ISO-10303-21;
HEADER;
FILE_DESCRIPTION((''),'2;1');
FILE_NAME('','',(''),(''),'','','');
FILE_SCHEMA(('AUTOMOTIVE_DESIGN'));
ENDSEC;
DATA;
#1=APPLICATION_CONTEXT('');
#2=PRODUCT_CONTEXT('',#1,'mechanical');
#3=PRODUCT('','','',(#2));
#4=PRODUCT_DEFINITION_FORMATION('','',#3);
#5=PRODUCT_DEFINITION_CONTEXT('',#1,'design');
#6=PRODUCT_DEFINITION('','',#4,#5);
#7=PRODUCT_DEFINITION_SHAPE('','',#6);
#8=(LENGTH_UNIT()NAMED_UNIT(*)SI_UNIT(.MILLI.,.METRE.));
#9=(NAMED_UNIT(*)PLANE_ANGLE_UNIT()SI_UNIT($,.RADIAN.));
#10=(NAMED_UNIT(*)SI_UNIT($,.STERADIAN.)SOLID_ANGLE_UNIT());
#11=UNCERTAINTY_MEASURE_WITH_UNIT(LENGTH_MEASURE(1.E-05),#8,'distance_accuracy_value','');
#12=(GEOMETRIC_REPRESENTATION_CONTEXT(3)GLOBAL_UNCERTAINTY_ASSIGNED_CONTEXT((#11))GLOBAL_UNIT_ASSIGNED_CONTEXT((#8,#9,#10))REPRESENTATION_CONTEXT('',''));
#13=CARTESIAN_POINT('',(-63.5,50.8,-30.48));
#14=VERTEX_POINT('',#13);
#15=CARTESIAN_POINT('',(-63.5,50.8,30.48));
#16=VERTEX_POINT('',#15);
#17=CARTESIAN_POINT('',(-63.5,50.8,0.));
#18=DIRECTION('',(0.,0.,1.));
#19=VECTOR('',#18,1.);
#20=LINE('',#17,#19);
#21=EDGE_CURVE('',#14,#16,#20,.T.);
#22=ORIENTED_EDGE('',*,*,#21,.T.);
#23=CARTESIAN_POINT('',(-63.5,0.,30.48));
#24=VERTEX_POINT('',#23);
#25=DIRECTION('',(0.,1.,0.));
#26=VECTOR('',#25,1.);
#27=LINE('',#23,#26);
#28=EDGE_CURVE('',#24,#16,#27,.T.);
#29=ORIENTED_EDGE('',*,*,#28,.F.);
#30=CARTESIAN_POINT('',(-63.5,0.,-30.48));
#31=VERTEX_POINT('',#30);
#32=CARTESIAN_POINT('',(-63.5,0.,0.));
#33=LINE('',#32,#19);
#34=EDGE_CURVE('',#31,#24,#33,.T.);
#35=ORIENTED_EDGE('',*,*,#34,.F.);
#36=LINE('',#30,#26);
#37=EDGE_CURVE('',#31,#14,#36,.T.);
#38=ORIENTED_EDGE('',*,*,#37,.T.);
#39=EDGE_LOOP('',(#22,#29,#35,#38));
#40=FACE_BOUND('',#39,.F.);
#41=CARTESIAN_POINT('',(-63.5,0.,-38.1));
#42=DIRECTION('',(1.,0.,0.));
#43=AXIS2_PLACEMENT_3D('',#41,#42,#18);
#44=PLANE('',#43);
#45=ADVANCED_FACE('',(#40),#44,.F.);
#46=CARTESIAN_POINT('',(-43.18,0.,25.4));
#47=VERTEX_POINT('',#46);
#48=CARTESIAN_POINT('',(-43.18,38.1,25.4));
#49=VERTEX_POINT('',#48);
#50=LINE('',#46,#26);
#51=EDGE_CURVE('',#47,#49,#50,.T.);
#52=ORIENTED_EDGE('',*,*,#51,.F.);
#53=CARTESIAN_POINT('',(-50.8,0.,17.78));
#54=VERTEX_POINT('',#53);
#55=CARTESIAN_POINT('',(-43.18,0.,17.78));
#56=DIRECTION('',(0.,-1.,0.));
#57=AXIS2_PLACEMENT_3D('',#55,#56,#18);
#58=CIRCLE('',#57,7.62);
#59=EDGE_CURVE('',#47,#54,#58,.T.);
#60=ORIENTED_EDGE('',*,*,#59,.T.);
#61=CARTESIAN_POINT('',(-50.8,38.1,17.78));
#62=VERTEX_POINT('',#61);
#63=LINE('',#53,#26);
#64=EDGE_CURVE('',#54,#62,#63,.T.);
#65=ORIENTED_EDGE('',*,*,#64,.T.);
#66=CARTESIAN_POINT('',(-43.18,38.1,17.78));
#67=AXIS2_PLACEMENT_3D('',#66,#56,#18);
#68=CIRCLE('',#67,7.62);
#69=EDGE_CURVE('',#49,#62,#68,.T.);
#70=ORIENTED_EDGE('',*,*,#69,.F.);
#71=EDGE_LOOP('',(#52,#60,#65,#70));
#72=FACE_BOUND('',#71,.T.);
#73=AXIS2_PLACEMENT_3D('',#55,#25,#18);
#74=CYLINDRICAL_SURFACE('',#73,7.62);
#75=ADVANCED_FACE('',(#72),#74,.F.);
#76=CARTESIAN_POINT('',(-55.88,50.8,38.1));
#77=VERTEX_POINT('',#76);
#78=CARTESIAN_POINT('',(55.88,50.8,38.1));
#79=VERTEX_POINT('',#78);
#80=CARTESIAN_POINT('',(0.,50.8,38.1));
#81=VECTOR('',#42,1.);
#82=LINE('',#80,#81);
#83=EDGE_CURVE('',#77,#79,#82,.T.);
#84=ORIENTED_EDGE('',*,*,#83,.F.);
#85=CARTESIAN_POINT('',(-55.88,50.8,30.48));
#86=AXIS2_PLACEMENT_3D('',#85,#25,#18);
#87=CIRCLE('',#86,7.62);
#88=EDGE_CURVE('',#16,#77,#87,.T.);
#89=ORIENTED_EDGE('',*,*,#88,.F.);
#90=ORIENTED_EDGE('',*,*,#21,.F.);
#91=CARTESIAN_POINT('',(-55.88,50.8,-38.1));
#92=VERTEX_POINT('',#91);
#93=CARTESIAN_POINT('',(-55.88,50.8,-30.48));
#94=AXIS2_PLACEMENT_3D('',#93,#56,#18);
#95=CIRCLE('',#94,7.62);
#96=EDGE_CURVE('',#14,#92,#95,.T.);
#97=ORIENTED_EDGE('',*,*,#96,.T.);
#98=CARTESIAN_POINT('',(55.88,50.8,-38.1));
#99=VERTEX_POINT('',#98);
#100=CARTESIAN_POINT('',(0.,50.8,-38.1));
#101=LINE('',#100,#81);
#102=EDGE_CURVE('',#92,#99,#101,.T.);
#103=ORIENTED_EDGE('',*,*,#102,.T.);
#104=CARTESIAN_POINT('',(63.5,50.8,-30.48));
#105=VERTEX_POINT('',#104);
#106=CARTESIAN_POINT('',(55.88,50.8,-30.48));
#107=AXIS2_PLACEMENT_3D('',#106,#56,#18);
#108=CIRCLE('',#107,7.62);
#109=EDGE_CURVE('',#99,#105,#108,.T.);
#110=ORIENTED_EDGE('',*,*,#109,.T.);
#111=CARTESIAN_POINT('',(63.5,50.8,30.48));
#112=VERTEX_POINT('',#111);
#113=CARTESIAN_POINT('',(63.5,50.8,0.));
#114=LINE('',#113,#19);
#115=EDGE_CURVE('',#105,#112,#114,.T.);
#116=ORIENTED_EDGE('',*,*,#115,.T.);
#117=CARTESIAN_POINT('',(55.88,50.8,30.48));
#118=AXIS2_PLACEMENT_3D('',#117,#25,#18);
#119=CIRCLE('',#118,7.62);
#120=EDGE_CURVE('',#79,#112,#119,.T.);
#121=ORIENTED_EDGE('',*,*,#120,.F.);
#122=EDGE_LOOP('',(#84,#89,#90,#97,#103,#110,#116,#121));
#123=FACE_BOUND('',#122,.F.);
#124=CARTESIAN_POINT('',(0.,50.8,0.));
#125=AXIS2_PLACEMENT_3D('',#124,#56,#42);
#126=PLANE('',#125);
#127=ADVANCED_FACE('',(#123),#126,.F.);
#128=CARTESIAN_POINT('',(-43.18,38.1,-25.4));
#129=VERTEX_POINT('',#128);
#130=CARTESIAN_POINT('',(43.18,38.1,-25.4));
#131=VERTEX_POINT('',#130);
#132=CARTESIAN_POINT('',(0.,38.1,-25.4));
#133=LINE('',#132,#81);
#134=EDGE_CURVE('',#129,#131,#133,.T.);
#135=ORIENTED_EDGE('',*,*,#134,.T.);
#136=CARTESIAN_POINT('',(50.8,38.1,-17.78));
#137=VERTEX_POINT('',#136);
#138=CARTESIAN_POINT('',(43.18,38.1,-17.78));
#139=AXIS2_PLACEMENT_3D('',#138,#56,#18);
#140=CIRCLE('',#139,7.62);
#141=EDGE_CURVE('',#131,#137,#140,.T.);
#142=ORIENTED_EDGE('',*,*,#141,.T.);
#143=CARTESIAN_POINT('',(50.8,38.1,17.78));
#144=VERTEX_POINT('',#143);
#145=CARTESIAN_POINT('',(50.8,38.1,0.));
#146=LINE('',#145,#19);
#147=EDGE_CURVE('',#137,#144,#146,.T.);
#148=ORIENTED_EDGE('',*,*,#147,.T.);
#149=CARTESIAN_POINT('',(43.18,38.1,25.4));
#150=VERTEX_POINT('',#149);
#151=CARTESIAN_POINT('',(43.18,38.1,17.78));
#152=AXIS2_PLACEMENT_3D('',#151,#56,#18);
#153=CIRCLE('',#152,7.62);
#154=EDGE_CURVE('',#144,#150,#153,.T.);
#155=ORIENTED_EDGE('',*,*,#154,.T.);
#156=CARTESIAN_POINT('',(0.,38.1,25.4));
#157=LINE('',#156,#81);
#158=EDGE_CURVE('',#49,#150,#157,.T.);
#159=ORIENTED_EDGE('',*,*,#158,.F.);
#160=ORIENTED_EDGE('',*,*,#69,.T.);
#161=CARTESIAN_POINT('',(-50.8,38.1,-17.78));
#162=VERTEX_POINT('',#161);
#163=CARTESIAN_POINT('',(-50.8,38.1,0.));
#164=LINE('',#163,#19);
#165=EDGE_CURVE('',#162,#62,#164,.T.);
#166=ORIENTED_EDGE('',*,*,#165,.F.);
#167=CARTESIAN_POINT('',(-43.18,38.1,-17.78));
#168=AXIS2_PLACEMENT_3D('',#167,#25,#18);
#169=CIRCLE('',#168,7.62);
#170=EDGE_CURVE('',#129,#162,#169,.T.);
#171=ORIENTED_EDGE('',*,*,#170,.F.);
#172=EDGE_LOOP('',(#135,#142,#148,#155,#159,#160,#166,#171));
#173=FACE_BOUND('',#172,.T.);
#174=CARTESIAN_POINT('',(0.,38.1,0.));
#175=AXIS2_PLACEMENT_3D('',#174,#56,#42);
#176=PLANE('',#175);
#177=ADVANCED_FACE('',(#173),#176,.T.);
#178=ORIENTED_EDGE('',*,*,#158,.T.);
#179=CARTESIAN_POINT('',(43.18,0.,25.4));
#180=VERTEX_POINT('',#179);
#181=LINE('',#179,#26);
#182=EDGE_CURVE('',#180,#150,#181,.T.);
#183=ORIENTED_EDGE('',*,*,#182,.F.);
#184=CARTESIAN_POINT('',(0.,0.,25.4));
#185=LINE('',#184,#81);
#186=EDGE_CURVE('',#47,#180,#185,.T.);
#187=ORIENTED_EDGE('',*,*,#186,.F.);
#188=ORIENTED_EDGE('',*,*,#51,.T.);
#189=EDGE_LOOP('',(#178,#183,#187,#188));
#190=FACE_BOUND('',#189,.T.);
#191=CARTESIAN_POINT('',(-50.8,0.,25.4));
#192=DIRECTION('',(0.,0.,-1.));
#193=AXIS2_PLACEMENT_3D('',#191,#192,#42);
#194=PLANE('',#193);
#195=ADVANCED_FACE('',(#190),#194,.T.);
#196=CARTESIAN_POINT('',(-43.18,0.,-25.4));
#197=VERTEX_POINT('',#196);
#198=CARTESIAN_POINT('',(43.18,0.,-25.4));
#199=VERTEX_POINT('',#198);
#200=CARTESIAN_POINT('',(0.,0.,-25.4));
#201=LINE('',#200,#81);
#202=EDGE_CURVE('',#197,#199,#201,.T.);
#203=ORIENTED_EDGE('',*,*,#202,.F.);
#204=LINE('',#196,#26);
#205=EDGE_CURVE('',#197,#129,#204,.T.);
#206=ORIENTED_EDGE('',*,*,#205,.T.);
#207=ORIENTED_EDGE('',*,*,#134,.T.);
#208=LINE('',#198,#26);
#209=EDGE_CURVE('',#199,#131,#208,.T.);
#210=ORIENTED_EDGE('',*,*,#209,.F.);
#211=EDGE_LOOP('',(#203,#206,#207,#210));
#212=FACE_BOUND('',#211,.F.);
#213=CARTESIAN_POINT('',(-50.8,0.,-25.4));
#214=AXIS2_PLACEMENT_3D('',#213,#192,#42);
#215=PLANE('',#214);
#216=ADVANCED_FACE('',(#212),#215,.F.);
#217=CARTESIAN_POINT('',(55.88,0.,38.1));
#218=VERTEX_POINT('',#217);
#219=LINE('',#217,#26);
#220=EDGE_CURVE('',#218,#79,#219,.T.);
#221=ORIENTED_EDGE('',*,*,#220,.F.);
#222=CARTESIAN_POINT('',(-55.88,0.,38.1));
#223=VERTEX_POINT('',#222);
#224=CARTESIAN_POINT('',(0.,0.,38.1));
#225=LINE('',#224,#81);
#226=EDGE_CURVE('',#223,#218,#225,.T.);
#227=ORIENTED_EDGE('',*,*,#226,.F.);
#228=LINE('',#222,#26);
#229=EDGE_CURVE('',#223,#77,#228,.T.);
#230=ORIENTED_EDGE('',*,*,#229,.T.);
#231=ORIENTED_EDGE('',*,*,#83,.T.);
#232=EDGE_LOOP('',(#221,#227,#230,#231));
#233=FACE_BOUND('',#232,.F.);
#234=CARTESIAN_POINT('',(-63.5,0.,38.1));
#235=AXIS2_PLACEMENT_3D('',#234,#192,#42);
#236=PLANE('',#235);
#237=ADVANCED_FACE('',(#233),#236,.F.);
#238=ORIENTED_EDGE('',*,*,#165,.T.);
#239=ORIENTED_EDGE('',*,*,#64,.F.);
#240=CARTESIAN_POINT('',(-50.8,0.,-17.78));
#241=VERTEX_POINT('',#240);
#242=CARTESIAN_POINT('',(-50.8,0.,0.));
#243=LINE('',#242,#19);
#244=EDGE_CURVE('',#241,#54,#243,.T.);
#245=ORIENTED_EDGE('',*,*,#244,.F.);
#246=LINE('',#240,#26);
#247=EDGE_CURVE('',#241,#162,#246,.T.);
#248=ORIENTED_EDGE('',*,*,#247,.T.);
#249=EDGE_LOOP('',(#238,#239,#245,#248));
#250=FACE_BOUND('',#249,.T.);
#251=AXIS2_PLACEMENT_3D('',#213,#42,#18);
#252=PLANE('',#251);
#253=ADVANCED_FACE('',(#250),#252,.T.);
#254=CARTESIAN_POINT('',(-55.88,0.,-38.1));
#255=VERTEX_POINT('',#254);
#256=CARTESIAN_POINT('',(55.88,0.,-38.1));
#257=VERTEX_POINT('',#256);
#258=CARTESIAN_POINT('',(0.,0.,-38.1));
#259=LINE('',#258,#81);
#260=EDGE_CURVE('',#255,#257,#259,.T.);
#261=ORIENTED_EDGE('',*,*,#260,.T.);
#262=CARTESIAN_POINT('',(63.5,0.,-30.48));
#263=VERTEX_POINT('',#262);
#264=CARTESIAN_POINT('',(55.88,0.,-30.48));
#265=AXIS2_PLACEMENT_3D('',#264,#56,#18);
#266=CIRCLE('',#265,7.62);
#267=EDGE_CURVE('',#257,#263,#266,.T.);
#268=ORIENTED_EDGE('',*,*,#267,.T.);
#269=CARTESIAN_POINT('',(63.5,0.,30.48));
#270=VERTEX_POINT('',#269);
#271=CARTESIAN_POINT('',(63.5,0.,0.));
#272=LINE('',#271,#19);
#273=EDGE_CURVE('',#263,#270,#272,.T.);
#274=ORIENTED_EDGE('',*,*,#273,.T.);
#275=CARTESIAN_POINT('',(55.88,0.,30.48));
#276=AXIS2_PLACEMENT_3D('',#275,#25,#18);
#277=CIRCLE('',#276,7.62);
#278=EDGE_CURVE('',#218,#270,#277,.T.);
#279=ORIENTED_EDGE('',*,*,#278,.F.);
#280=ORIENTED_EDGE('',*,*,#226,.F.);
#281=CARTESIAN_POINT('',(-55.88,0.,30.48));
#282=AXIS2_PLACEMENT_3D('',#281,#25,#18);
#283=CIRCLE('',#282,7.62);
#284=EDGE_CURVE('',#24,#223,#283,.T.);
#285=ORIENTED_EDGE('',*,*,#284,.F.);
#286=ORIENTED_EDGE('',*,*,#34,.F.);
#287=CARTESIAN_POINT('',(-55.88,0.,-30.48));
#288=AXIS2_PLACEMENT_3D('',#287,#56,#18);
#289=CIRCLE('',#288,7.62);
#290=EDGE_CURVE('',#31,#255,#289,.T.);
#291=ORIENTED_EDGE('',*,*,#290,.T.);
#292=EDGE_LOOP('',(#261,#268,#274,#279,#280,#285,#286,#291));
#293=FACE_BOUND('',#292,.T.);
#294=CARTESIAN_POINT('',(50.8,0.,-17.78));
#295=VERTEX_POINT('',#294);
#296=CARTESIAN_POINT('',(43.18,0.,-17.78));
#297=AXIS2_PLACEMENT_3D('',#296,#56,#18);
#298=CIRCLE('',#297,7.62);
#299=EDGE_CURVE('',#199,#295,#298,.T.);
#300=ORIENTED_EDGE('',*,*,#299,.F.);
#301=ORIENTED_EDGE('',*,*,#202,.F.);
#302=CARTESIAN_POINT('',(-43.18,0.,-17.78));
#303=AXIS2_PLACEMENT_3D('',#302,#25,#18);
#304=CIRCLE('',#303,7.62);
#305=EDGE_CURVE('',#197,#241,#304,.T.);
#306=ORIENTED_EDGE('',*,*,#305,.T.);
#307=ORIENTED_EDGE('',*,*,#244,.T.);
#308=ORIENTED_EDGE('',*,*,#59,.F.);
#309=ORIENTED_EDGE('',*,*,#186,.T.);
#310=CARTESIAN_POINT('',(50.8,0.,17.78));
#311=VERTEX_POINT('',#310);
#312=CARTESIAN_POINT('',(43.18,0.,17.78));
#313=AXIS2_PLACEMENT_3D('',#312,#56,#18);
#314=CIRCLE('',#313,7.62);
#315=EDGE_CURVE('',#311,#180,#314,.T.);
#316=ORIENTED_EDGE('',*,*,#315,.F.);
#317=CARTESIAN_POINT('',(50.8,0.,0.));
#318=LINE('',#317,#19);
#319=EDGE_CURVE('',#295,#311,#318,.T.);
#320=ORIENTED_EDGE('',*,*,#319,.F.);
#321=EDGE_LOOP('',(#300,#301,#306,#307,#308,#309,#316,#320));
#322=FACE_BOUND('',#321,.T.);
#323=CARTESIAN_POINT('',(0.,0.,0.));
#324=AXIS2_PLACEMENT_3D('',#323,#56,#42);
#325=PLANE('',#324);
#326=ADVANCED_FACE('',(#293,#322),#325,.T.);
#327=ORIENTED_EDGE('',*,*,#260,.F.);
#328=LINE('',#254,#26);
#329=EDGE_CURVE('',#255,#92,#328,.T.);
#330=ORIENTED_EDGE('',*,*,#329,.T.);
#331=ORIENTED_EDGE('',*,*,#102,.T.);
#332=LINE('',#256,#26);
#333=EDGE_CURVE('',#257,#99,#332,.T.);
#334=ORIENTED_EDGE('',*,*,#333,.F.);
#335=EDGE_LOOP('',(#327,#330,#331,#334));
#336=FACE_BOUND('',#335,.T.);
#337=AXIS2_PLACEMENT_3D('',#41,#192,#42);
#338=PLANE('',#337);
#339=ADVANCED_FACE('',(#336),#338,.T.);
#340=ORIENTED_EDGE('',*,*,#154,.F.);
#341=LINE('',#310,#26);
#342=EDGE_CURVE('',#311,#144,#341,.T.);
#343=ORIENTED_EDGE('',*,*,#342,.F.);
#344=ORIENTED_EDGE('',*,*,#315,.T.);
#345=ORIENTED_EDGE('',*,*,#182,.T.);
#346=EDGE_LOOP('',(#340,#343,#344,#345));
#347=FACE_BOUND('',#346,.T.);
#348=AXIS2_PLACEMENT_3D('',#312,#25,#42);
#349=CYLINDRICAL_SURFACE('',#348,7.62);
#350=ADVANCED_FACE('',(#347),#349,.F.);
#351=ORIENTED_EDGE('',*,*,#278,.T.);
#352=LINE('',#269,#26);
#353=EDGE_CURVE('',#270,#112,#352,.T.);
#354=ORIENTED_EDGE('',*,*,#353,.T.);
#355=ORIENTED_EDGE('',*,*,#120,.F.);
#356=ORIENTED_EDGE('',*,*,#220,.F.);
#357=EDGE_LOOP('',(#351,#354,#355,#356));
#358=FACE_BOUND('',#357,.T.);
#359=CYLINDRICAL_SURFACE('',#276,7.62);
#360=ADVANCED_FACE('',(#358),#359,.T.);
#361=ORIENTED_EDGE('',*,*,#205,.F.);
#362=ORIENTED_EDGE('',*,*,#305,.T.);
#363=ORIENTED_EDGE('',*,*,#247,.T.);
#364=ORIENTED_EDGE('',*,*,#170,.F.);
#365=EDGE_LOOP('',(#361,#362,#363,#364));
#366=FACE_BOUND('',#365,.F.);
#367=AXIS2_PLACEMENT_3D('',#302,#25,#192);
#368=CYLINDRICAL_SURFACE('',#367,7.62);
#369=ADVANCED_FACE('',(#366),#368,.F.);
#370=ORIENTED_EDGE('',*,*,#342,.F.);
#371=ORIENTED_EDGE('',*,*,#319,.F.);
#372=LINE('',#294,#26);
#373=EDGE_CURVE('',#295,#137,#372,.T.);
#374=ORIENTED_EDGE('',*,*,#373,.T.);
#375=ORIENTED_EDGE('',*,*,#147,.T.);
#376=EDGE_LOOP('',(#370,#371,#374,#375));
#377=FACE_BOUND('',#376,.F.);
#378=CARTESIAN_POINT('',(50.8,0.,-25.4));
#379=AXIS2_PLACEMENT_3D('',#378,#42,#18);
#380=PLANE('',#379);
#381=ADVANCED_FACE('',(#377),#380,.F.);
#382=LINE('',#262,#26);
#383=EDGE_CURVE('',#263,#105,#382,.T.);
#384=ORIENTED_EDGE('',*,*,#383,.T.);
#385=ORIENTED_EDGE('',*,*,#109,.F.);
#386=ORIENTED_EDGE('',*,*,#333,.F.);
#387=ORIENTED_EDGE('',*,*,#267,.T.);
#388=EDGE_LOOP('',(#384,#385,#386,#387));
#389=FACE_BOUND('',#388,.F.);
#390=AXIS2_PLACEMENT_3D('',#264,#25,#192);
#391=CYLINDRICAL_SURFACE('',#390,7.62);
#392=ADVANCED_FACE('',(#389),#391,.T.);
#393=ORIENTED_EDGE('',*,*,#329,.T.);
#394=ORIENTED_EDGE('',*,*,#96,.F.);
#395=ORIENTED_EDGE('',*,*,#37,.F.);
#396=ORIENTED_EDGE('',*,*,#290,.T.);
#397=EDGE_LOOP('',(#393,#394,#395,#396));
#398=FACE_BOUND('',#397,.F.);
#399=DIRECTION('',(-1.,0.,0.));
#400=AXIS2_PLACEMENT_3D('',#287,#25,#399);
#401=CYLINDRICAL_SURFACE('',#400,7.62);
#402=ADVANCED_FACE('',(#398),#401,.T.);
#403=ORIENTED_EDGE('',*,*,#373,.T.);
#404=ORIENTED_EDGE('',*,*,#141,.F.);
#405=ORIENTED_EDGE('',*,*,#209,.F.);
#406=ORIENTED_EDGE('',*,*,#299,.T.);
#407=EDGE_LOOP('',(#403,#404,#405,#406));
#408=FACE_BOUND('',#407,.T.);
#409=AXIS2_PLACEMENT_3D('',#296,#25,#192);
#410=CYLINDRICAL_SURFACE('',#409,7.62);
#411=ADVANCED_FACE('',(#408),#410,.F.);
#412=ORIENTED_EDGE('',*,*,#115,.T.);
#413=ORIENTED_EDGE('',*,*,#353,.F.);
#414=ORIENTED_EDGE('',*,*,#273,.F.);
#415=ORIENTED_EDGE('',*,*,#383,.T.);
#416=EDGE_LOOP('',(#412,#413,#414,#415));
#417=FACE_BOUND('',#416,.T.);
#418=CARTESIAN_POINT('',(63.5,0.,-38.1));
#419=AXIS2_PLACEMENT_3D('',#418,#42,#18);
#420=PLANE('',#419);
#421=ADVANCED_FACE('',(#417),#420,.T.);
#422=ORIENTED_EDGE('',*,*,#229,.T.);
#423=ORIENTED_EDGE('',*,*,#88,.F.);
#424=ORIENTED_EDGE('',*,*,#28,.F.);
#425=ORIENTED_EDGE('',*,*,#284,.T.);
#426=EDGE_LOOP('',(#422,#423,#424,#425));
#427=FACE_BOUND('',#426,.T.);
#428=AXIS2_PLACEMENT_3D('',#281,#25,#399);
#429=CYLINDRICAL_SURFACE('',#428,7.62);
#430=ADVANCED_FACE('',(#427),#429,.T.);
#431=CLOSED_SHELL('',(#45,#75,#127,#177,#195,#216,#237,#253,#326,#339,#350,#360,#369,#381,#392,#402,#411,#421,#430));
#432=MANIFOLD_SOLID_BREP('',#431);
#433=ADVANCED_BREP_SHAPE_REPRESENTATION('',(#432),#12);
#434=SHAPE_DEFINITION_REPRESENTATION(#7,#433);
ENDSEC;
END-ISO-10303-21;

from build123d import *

# Parameters (mm, degrees)
F0_W     = 127
F0_H     = 76.2
F1_DEPTH = 50.8
F2_W     = 101.6
F2_H     = 50.8
F3_DEPTH = 38.1
F4_R     = 7.62


with BuildPart() as f1:
    # F0 (on Front) → F1 (new body)
    with BuildSketch(Plane.XZ):
        Rectangle(F0_W, F0_H)
    extrude(amount=-F1_DEPTH)

    # F2 (on face) → F3 (cut)
    with BuildSketch(Plane.XZ):
        Rectangle(F2_W, F2_H)
    extrude(amount=-F3_DEPTH, mode=Mode.SUBTRACT)

    # F4
    f4_edges = [f1.edges().sort_by_distance(p)[0] for p in [
        (-50.8, 19.05, 25.4),
        (50.8, 19.05, 25.4),
        (50.8, 19.05, -25.4),
        (-50.8, 19.05, -25.4),
        (-63.5, 25.4, -38.1),
        (63.5, 25.4, -38.1),
        (63.5, 25.4, 38.1),
        (-63.5, 25.4, 38.1),
    ]]
    fillet(f4_edges, radius=F4_R)


solid = f1.part
